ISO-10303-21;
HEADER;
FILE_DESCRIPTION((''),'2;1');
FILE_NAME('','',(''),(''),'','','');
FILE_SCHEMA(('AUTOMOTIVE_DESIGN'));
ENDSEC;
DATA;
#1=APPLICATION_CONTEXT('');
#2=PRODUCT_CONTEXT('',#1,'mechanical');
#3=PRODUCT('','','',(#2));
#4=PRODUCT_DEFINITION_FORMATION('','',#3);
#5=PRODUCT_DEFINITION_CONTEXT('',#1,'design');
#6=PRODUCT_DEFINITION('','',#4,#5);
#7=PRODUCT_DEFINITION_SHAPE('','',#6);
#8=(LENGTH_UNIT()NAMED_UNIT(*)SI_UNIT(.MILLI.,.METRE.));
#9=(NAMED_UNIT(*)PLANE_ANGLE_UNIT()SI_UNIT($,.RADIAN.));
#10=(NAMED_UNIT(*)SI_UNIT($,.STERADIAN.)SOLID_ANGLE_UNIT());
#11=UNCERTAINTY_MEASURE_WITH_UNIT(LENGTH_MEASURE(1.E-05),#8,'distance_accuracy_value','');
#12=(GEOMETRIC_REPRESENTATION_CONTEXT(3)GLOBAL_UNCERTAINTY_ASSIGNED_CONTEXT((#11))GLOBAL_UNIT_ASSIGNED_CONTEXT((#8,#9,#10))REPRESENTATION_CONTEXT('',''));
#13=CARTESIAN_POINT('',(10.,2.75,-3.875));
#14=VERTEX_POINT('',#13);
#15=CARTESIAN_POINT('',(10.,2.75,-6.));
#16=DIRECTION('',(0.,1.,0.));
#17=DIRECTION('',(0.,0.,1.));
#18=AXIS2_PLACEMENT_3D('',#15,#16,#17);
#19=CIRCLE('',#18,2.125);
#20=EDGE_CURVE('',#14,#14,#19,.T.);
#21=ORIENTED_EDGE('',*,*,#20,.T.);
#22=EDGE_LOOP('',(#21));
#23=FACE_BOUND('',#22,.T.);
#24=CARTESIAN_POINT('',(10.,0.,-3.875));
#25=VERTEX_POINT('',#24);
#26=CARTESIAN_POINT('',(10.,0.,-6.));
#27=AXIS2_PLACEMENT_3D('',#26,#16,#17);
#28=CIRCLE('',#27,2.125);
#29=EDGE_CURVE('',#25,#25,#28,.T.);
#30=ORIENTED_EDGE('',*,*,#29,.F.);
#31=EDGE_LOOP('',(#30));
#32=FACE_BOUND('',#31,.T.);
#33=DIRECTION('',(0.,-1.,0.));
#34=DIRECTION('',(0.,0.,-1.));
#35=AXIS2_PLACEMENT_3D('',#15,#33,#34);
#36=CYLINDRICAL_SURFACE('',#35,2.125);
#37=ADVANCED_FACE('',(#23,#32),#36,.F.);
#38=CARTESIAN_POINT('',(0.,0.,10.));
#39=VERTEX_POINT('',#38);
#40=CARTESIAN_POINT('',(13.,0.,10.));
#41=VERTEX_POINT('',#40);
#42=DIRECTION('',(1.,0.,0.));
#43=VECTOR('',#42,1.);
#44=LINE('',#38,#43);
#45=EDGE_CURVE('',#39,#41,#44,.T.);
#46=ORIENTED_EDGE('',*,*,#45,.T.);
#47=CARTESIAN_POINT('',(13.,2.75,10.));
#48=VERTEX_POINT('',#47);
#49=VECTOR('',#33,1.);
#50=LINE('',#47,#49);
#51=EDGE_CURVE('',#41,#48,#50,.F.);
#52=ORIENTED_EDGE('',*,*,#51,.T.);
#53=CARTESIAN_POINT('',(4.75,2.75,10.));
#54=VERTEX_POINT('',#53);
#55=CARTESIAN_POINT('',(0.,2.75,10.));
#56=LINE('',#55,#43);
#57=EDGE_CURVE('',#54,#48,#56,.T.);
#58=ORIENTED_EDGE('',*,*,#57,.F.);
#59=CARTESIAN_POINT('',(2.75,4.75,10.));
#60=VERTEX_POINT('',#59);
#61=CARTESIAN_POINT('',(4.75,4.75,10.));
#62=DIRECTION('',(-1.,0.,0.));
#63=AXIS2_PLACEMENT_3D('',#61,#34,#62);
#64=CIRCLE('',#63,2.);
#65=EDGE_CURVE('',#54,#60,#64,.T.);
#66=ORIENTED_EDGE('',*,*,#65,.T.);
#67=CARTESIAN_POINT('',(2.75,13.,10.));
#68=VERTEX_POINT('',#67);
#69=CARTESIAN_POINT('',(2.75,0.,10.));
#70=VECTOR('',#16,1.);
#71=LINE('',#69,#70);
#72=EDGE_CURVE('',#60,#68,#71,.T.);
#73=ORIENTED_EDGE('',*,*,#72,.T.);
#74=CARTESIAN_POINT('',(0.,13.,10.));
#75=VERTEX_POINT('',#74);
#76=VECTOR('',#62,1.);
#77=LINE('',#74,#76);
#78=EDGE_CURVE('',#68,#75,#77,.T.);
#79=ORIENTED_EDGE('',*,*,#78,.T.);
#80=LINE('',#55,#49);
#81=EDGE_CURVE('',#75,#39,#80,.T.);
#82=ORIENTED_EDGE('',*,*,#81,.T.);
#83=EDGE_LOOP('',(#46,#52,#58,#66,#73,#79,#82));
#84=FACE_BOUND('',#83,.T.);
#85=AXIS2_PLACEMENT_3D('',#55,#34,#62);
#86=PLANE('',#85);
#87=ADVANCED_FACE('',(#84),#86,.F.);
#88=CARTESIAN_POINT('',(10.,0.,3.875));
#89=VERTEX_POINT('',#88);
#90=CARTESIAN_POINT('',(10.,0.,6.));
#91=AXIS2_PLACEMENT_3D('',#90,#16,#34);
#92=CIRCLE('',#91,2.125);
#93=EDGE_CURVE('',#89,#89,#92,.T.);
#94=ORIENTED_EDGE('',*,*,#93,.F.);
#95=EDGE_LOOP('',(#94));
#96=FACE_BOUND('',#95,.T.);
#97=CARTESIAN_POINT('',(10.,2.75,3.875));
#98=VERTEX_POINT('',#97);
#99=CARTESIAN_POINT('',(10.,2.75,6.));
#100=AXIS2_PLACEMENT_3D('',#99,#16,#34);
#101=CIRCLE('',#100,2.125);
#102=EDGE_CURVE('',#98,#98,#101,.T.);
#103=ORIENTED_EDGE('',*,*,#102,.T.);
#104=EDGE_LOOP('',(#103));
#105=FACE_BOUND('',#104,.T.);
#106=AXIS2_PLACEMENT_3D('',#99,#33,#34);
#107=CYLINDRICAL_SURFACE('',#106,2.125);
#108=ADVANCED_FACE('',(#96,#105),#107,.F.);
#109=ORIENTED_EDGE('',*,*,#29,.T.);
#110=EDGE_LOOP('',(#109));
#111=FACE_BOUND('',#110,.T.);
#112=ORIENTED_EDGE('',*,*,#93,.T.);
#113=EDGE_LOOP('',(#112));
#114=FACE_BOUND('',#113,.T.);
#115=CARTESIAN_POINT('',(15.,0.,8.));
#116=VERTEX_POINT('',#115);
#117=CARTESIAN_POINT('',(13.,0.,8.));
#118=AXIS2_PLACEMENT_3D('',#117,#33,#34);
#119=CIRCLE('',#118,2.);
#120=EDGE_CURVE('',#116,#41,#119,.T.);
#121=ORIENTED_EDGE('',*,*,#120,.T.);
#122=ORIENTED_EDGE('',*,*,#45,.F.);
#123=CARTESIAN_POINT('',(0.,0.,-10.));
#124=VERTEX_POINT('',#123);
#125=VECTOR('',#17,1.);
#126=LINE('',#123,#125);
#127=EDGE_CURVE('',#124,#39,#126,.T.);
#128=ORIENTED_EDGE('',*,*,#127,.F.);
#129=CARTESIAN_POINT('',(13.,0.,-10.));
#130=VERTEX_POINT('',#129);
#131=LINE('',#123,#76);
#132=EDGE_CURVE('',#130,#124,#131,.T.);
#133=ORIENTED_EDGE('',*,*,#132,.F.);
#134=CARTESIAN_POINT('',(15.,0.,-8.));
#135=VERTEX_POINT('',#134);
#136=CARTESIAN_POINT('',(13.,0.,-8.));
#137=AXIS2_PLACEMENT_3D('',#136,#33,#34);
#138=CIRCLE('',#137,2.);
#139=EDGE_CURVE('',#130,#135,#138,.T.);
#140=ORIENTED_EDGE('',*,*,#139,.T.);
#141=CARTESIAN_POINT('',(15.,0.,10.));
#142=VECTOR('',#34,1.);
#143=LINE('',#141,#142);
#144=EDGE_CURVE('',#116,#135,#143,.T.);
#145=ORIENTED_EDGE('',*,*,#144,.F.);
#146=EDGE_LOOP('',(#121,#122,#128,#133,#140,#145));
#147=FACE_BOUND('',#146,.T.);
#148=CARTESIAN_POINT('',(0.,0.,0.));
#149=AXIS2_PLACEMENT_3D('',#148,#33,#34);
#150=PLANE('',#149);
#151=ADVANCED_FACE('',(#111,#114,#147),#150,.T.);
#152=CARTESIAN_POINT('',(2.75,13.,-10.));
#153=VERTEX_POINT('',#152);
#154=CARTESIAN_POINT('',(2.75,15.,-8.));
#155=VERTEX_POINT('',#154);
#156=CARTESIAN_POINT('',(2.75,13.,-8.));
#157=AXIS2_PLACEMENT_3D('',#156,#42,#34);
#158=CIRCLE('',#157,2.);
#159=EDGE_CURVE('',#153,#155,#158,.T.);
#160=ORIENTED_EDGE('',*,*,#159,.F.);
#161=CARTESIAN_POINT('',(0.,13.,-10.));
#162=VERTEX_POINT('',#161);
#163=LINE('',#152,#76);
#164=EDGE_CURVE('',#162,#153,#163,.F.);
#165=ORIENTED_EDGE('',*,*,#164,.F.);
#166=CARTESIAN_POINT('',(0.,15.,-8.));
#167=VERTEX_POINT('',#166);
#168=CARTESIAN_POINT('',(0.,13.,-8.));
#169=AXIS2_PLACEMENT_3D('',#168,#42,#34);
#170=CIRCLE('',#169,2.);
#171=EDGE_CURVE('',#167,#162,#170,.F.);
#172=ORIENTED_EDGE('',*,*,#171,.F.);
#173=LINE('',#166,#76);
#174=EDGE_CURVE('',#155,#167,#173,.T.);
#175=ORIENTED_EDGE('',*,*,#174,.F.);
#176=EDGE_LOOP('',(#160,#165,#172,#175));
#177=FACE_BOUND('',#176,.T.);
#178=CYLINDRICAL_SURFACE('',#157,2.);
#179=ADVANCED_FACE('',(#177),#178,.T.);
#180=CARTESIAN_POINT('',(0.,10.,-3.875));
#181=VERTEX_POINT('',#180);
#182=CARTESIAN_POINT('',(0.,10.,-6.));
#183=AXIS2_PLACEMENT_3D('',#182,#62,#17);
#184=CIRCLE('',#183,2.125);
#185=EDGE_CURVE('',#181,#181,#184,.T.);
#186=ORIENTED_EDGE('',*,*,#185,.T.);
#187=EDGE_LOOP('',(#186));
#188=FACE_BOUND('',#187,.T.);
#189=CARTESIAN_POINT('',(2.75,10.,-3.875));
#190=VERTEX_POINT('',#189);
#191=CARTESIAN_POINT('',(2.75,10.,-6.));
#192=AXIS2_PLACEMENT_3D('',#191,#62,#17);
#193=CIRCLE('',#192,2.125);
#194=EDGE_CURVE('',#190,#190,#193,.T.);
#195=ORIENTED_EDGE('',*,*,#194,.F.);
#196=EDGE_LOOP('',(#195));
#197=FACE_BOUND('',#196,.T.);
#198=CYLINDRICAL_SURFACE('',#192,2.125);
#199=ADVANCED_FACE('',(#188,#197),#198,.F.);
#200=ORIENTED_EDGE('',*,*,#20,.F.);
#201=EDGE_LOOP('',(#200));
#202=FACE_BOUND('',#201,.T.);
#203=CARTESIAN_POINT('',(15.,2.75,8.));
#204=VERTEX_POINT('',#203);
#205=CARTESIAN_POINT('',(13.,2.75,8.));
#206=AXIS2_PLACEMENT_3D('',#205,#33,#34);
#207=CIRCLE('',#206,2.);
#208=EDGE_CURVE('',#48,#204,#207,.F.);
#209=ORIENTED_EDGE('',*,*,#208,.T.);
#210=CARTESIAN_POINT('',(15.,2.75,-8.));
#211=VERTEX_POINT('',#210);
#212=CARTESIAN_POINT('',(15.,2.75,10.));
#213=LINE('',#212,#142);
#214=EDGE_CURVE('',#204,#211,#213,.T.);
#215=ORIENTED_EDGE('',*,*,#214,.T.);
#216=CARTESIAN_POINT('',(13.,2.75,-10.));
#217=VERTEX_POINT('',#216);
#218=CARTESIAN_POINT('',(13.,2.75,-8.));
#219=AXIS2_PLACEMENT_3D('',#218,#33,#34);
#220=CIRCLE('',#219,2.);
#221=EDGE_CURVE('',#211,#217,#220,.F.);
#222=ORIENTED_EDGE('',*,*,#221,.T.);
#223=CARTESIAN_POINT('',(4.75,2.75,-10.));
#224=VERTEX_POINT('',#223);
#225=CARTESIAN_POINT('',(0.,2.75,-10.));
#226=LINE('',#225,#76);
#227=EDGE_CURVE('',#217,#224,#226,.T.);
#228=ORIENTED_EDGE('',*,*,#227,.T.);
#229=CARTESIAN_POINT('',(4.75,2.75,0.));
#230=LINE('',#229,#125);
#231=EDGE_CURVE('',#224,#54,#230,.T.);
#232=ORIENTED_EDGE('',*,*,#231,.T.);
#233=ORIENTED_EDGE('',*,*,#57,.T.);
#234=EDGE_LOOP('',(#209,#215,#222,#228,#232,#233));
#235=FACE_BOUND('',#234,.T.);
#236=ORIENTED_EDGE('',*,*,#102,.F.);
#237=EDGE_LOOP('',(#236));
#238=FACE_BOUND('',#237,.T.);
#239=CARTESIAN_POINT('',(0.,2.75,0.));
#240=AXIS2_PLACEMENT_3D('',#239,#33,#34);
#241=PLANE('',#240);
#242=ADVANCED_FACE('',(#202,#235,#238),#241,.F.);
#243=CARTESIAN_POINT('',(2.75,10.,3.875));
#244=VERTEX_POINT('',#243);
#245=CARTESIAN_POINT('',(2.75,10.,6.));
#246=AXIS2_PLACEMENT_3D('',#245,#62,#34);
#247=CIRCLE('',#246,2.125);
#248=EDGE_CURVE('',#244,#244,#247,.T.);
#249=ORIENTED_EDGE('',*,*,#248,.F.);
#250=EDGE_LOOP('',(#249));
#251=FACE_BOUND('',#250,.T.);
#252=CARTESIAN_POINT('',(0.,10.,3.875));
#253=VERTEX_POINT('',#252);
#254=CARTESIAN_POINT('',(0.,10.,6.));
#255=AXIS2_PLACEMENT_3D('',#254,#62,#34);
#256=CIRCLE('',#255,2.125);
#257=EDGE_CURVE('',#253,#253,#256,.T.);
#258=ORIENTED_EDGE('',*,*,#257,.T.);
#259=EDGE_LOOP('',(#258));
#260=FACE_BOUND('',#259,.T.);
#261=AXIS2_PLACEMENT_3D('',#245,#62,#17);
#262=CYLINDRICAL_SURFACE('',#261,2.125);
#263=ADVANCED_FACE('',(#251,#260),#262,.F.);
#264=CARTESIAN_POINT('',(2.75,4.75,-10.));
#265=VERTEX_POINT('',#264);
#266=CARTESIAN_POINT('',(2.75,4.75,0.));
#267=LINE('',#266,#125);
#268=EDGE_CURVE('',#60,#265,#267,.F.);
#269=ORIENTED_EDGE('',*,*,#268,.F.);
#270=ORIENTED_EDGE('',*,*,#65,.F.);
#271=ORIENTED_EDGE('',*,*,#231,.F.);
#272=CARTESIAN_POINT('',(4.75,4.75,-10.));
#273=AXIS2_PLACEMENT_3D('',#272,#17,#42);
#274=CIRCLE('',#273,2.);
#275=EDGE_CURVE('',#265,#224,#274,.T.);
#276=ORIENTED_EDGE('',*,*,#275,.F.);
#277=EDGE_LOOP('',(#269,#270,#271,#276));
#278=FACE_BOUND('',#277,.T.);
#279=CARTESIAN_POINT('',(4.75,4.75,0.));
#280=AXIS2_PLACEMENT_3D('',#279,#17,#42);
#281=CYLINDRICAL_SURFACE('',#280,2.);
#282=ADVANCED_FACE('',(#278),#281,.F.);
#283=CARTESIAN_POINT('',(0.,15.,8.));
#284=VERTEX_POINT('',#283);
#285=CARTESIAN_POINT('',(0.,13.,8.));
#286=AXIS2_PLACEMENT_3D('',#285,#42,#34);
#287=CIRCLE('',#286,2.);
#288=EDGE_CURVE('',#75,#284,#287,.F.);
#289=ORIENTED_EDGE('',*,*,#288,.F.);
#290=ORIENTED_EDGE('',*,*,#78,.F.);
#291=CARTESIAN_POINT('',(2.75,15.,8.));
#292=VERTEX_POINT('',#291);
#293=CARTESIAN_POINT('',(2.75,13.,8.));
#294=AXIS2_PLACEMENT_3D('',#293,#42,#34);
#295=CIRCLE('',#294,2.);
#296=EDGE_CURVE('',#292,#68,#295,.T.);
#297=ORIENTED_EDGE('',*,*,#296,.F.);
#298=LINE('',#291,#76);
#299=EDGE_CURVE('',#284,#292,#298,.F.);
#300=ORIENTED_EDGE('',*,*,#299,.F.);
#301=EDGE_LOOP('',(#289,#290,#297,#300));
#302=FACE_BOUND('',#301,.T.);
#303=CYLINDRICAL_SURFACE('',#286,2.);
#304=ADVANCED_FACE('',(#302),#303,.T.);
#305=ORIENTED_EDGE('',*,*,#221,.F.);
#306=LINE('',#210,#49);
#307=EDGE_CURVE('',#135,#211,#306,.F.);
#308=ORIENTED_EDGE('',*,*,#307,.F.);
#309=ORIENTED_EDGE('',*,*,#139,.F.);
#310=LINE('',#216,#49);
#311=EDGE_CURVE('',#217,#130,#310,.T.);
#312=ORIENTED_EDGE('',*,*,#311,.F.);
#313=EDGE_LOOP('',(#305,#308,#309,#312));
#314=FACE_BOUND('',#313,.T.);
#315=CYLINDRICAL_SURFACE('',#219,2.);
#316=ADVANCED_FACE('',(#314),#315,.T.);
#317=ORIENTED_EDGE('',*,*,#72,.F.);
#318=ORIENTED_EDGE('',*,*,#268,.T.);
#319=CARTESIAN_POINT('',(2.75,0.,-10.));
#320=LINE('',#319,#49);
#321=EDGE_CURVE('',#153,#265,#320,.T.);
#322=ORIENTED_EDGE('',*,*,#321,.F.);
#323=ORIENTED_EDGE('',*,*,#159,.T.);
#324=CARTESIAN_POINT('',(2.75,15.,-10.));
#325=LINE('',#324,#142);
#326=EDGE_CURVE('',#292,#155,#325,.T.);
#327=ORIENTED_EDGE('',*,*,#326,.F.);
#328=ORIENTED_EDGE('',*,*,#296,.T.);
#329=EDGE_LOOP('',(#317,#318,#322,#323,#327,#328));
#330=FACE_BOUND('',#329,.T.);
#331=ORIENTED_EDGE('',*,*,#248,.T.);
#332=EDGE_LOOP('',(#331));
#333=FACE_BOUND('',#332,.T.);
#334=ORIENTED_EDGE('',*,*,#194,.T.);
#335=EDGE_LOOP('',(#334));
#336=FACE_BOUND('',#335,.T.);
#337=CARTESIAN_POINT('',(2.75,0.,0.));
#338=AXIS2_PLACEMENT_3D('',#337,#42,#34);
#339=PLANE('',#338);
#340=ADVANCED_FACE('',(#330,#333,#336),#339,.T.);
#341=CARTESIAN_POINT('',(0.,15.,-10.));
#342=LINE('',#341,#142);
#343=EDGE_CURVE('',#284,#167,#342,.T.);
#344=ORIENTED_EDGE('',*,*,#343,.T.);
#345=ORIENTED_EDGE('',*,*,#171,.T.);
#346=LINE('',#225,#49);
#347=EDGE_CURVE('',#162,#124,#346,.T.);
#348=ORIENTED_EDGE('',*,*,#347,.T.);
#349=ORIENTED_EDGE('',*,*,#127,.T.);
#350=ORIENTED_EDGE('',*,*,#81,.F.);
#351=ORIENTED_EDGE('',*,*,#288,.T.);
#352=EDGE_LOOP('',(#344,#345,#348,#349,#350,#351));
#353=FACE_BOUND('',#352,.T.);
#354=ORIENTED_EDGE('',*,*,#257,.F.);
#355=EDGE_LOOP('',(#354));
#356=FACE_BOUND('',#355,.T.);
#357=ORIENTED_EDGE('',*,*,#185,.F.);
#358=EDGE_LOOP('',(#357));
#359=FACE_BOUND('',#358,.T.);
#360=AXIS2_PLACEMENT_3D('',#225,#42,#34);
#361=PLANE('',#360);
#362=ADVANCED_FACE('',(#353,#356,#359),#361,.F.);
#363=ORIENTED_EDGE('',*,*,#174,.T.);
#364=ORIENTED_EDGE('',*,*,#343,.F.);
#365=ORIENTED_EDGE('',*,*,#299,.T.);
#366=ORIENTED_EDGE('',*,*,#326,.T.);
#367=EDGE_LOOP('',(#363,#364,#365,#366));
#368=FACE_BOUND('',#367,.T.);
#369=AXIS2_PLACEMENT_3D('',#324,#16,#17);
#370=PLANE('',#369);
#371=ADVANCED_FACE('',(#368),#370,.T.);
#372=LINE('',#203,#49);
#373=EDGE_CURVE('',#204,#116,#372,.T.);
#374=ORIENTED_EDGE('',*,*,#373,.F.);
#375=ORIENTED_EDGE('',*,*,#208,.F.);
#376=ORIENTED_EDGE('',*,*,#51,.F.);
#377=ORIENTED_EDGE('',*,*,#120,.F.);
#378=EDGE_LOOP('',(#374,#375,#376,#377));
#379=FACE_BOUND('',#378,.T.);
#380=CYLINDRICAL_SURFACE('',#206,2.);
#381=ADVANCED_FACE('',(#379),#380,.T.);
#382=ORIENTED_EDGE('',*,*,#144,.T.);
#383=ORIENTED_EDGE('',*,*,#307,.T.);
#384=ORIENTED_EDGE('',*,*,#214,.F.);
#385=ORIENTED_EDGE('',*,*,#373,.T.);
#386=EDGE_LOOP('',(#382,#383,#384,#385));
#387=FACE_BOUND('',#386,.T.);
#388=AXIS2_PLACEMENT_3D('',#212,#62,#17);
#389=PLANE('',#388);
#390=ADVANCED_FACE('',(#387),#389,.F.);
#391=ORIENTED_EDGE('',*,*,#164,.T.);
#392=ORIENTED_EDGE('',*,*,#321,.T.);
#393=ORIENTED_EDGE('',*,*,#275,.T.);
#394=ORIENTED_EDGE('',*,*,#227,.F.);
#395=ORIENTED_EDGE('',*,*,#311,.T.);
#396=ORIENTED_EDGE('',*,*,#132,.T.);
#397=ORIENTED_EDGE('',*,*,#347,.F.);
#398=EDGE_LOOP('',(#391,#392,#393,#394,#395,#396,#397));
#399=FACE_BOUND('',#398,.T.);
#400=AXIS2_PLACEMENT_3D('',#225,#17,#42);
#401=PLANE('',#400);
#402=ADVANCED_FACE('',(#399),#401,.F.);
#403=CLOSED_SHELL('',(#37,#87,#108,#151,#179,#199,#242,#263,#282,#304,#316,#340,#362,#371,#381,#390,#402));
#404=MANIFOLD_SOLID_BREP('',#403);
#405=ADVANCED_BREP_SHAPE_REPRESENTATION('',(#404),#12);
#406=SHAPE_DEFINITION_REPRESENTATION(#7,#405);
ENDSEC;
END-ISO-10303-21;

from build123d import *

# Parameters (mm, degrees)
SKETCH3_W           = 15
SKETCH3_H           = 20
SKETCH3_R           = 2.125
BOSS_EXTRUDE3_DEPTH = 2.75
SKETCH5_W           = 20
SKETCH5_H           = 15
SKETCH5_R           = 2.125
BOSS_EXTRUDE5_DEPTH = 2.75
FILLET4_R           = 2


with BuildPart() as part:
    # Sketch3 → Boss-Extrude3 (new body)
    with BuildSketch(Plane(origin=(0, 0, 0), x_dir=(1, 0, 0), z_dir=(0, 1, 0))):
        with Locations((7.5, 0)):
            Rectangle(SKETCH3_W, SKETCH3_H)
        with Locations(Location((10, 6, 0), (0, 0, 270))):
            Circle(SKETCH3_R, mode=Mode.SUBTRACT)
        with Locations(Location((10, -6, 0), (0, 0, 90))):
            Circle(SKETCH3_R, mode=Mode.SUBTRACT)
    extrude(amount=BOSS_EXTRUDE3_DEPTH)

    # Sketch5 → Boss-Extrude5 (add)
    with BuildSketch(Plane.ZY):
        with Locations((0, 7.5)):
            Rectangle(SKETCH5_W, SKETCH5_H)
        with Locations((-6, 10)):
            Circle(SKETCH5_R, mode=Mode.SUBTRACT)
        with Locations(Location((6, 10, 0), (0, 0, 180))):
            Circle(SKETCH5_R, mode=Mode.SUBTRACT)
    extrude(amount=-BOSS_EXTRUDE5_DEPTH)

    # Fillet4
    fillet4_edges = [part.edges().sort_by_distance(p)[0] for p in [
        (1.375, 15, 10),
        (1.375, 15, -10),
        (2.75, 2.75, 0),
        (15, 1.375, 10),
        (15, 1.375, -10),
    ]]
    fillet(fillet4_edges, radius=FILLET4_R)


solid = part.part
